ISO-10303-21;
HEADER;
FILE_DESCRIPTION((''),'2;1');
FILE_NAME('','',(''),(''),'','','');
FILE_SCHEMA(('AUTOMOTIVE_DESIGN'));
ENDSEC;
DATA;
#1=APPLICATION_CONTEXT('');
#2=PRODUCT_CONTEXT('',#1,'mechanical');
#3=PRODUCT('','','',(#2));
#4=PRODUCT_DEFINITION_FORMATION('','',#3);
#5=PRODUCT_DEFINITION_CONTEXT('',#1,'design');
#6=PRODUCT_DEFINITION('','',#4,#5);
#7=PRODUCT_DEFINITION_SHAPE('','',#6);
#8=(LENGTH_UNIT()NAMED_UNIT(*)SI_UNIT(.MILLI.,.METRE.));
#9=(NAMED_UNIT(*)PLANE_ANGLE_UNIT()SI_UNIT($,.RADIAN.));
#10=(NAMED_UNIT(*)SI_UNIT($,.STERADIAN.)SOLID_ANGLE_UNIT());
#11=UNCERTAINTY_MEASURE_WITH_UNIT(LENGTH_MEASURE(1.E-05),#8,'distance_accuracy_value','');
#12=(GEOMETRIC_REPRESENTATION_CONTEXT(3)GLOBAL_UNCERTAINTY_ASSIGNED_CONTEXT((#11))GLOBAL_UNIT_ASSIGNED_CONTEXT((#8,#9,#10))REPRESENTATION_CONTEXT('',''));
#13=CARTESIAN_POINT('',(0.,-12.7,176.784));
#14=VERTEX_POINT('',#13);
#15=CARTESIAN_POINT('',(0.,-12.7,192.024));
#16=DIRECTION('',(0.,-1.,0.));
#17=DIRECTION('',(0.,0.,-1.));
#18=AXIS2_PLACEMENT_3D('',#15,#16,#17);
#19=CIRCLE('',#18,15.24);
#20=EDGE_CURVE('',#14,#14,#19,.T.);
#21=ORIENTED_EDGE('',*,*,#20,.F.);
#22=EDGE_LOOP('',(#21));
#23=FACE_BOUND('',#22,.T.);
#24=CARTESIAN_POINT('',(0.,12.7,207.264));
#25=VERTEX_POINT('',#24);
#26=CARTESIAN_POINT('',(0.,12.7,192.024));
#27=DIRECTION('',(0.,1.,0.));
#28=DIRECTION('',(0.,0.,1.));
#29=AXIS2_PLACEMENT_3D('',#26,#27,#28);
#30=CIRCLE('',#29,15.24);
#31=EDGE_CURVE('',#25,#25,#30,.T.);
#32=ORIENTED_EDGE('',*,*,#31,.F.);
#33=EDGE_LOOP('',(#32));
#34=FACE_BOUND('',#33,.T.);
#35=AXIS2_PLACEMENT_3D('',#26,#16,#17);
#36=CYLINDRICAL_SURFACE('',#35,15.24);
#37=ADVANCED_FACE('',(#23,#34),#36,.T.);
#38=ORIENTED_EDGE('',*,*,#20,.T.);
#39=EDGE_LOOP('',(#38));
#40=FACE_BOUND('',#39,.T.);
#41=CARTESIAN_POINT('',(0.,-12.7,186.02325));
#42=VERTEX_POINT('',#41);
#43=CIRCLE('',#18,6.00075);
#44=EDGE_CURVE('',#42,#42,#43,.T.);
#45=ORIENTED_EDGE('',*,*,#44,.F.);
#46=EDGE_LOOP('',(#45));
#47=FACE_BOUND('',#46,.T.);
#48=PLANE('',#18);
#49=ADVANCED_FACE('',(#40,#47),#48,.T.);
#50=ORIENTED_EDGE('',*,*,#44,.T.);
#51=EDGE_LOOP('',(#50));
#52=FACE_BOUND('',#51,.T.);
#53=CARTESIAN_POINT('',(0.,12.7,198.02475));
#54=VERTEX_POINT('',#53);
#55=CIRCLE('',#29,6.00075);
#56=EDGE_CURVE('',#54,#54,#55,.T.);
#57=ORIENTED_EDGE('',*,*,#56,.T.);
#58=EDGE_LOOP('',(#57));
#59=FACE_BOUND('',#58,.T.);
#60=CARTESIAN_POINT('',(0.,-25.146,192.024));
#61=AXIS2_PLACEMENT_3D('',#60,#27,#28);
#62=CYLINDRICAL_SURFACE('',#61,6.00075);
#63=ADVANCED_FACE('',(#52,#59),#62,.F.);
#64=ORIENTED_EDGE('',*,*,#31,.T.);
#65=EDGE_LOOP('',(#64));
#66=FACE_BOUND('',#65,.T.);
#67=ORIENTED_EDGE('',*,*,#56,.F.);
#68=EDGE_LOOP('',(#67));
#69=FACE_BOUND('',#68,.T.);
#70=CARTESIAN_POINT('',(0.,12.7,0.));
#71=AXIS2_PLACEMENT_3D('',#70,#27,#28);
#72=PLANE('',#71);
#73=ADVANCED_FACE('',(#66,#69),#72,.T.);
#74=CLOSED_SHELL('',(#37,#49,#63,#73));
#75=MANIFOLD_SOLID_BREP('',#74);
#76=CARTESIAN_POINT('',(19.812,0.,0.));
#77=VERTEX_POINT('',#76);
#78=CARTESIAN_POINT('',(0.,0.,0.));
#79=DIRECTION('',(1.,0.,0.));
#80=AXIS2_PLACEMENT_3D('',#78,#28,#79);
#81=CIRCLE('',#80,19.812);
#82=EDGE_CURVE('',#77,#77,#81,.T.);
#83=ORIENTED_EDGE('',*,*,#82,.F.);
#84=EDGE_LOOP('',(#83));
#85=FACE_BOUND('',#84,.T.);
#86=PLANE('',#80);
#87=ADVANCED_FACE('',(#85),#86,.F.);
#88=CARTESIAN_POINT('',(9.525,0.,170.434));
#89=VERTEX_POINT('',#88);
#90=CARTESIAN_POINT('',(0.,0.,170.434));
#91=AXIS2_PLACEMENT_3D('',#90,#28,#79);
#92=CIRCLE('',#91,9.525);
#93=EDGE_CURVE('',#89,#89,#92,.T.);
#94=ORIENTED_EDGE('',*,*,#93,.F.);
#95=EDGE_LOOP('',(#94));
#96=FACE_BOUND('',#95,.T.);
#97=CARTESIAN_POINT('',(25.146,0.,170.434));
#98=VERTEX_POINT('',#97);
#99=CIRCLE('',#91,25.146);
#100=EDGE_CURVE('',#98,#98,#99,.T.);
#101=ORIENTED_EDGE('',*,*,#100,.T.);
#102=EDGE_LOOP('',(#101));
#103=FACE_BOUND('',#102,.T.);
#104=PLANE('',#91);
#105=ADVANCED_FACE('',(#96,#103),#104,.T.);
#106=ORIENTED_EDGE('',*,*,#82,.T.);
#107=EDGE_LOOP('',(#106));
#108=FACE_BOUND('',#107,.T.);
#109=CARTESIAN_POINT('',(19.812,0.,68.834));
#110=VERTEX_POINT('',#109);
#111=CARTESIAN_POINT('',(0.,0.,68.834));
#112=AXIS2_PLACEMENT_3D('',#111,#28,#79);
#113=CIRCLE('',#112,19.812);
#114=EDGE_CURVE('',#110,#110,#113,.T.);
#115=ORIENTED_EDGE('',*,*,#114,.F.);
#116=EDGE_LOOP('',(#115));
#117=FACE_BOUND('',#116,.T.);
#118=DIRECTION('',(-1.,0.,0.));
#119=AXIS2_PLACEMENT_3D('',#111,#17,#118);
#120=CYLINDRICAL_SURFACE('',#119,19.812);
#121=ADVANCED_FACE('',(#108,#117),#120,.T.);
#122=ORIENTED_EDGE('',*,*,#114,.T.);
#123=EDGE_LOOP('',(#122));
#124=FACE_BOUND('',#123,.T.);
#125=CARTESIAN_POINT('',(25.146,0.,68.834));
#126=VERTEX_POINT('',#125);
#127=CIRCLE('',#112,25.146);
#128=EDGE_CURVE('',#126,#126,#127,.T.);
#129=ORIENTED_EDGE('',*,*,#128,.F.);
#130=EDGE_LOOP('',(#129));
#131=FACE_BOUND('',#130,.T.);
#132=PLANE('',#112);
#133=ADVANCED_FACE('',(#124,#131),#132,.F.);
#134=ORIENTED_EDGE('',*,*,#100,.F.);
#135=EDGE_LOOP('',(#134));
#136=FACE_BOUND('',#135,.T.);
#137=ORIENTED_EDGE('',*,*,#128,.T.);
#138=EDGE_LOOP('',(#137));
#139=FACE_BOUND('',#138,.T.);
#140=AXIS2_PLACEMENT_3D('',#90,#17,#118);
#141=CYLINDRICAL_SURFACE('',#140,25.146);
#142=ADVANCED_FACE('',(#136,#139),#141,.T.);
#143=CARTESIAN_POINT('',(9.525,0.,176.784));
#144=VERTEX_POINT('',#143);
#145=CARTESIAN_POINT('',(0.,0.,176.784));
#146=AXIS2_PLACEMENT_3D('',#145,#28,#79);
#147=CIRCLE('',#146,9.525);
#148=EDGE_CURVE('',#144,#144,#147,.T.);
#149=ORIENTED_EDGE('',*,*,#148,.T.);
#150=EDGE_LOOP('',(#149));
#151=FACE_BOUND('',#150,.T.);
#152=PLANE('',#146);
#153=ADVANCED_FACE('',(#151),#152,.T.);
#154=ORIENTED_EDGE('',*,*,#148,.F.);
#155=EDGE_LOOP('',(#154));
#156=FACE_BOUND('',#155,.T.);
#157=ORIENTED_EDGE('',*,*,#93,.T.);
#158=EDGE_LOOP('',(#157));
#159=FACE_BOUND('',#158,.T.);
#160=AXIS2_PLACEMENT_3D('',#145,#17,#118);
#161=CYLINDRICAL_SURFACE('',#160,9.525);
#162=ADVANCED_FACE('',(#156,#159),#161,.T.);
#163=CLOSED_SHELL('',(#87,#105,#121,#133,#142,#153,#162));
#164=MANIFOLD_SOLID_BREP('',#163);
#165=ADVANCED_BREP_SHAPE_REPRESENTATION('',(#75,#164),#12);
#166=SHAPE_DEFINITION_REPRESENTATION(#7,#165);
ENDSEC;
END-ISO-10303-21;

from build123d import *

# Parameters (mm, degrees)
SKETCH1_R           = 19.812
BOSS_EXTRUDE1_DEPTH = 68.834
SKETCH2_R           = 25.146
BOSS_EXTRUDE2_DEPTH = 101.6
SKETCH3_R           = 9.525
BOSS_EXTRUDE3_DEPTH = 6.35
SKETCH5_R           = 15.24
BOSS_EXTRUDE4_DEPTH = 12.7
SKETCH6_R           = 15.24
BOSS_EXTRUDE5_DEPTH = 12.7
SKETCH7_R           = 6.00075
CUT_EXTRUDE1_DEPTH  = 38.846


with BuildPart() as part:
    # Sketch1 → Boss-Extrude1 (new body)
    with BuildSketch(Plane.XY):
        Circle(SKETCH1_R)
    extrude(amount=BOSS_EXTRUDE1_DEPTH)

    # Sketch2 → Boss-Extrude2 (add)
    with BuildSketch(Plane.XY.offset(68.834)):
        Circle(SKETCH2_R)
    extrude(amount=BOSS_EXTRUDE2_DEPTH)

    # Sketch3 → Boss-Extrude3 (add)
    with BuildSketch(Plane.XY.offset(170.434)):
        Circle(SKETCH3_R)
    extrude(amount=BOSS_EXTRUDE3_DEPTH)


with BuildPart() as body_2:
    # Sketch5 → Boss-Extrude4 (new body)
    with BuildSketch(Plane(origin=(0, 0, 0), x_dir=(1, 0, 0), z_dir=(0, 1, 0))):
        with Locations((0, -192.024)):
            Circle(SKETCH5_R)
    extrude(amount=BOSS_EXTRUDE4_DEPTH)

    # Sketch6 → Boss-Extrude5 (add)
    with BuildSketch(Plane.XZ):
        with Locations((0, 192.024)):
            Circle(SKETCH6_R)
    extrude(amount=BOSS_EXTRUDE5_DEPTH)

    # Sketch7 → Cut-Extrude1 (cut, through all)
    with BuildSketch(Plane(origin=(0, 12.7, 0), x_dir=(1, 0, 0), z_dir=(0, 1, 0))):
        with Locations((0, -192.024)):
            Circle(SKETCH7_R)
    extrude(amount=-CUT_EXTRUDE1_DEPTH, mode=Mode.SUBTRACT)


solid = Compound([part.part, body_2.part])
